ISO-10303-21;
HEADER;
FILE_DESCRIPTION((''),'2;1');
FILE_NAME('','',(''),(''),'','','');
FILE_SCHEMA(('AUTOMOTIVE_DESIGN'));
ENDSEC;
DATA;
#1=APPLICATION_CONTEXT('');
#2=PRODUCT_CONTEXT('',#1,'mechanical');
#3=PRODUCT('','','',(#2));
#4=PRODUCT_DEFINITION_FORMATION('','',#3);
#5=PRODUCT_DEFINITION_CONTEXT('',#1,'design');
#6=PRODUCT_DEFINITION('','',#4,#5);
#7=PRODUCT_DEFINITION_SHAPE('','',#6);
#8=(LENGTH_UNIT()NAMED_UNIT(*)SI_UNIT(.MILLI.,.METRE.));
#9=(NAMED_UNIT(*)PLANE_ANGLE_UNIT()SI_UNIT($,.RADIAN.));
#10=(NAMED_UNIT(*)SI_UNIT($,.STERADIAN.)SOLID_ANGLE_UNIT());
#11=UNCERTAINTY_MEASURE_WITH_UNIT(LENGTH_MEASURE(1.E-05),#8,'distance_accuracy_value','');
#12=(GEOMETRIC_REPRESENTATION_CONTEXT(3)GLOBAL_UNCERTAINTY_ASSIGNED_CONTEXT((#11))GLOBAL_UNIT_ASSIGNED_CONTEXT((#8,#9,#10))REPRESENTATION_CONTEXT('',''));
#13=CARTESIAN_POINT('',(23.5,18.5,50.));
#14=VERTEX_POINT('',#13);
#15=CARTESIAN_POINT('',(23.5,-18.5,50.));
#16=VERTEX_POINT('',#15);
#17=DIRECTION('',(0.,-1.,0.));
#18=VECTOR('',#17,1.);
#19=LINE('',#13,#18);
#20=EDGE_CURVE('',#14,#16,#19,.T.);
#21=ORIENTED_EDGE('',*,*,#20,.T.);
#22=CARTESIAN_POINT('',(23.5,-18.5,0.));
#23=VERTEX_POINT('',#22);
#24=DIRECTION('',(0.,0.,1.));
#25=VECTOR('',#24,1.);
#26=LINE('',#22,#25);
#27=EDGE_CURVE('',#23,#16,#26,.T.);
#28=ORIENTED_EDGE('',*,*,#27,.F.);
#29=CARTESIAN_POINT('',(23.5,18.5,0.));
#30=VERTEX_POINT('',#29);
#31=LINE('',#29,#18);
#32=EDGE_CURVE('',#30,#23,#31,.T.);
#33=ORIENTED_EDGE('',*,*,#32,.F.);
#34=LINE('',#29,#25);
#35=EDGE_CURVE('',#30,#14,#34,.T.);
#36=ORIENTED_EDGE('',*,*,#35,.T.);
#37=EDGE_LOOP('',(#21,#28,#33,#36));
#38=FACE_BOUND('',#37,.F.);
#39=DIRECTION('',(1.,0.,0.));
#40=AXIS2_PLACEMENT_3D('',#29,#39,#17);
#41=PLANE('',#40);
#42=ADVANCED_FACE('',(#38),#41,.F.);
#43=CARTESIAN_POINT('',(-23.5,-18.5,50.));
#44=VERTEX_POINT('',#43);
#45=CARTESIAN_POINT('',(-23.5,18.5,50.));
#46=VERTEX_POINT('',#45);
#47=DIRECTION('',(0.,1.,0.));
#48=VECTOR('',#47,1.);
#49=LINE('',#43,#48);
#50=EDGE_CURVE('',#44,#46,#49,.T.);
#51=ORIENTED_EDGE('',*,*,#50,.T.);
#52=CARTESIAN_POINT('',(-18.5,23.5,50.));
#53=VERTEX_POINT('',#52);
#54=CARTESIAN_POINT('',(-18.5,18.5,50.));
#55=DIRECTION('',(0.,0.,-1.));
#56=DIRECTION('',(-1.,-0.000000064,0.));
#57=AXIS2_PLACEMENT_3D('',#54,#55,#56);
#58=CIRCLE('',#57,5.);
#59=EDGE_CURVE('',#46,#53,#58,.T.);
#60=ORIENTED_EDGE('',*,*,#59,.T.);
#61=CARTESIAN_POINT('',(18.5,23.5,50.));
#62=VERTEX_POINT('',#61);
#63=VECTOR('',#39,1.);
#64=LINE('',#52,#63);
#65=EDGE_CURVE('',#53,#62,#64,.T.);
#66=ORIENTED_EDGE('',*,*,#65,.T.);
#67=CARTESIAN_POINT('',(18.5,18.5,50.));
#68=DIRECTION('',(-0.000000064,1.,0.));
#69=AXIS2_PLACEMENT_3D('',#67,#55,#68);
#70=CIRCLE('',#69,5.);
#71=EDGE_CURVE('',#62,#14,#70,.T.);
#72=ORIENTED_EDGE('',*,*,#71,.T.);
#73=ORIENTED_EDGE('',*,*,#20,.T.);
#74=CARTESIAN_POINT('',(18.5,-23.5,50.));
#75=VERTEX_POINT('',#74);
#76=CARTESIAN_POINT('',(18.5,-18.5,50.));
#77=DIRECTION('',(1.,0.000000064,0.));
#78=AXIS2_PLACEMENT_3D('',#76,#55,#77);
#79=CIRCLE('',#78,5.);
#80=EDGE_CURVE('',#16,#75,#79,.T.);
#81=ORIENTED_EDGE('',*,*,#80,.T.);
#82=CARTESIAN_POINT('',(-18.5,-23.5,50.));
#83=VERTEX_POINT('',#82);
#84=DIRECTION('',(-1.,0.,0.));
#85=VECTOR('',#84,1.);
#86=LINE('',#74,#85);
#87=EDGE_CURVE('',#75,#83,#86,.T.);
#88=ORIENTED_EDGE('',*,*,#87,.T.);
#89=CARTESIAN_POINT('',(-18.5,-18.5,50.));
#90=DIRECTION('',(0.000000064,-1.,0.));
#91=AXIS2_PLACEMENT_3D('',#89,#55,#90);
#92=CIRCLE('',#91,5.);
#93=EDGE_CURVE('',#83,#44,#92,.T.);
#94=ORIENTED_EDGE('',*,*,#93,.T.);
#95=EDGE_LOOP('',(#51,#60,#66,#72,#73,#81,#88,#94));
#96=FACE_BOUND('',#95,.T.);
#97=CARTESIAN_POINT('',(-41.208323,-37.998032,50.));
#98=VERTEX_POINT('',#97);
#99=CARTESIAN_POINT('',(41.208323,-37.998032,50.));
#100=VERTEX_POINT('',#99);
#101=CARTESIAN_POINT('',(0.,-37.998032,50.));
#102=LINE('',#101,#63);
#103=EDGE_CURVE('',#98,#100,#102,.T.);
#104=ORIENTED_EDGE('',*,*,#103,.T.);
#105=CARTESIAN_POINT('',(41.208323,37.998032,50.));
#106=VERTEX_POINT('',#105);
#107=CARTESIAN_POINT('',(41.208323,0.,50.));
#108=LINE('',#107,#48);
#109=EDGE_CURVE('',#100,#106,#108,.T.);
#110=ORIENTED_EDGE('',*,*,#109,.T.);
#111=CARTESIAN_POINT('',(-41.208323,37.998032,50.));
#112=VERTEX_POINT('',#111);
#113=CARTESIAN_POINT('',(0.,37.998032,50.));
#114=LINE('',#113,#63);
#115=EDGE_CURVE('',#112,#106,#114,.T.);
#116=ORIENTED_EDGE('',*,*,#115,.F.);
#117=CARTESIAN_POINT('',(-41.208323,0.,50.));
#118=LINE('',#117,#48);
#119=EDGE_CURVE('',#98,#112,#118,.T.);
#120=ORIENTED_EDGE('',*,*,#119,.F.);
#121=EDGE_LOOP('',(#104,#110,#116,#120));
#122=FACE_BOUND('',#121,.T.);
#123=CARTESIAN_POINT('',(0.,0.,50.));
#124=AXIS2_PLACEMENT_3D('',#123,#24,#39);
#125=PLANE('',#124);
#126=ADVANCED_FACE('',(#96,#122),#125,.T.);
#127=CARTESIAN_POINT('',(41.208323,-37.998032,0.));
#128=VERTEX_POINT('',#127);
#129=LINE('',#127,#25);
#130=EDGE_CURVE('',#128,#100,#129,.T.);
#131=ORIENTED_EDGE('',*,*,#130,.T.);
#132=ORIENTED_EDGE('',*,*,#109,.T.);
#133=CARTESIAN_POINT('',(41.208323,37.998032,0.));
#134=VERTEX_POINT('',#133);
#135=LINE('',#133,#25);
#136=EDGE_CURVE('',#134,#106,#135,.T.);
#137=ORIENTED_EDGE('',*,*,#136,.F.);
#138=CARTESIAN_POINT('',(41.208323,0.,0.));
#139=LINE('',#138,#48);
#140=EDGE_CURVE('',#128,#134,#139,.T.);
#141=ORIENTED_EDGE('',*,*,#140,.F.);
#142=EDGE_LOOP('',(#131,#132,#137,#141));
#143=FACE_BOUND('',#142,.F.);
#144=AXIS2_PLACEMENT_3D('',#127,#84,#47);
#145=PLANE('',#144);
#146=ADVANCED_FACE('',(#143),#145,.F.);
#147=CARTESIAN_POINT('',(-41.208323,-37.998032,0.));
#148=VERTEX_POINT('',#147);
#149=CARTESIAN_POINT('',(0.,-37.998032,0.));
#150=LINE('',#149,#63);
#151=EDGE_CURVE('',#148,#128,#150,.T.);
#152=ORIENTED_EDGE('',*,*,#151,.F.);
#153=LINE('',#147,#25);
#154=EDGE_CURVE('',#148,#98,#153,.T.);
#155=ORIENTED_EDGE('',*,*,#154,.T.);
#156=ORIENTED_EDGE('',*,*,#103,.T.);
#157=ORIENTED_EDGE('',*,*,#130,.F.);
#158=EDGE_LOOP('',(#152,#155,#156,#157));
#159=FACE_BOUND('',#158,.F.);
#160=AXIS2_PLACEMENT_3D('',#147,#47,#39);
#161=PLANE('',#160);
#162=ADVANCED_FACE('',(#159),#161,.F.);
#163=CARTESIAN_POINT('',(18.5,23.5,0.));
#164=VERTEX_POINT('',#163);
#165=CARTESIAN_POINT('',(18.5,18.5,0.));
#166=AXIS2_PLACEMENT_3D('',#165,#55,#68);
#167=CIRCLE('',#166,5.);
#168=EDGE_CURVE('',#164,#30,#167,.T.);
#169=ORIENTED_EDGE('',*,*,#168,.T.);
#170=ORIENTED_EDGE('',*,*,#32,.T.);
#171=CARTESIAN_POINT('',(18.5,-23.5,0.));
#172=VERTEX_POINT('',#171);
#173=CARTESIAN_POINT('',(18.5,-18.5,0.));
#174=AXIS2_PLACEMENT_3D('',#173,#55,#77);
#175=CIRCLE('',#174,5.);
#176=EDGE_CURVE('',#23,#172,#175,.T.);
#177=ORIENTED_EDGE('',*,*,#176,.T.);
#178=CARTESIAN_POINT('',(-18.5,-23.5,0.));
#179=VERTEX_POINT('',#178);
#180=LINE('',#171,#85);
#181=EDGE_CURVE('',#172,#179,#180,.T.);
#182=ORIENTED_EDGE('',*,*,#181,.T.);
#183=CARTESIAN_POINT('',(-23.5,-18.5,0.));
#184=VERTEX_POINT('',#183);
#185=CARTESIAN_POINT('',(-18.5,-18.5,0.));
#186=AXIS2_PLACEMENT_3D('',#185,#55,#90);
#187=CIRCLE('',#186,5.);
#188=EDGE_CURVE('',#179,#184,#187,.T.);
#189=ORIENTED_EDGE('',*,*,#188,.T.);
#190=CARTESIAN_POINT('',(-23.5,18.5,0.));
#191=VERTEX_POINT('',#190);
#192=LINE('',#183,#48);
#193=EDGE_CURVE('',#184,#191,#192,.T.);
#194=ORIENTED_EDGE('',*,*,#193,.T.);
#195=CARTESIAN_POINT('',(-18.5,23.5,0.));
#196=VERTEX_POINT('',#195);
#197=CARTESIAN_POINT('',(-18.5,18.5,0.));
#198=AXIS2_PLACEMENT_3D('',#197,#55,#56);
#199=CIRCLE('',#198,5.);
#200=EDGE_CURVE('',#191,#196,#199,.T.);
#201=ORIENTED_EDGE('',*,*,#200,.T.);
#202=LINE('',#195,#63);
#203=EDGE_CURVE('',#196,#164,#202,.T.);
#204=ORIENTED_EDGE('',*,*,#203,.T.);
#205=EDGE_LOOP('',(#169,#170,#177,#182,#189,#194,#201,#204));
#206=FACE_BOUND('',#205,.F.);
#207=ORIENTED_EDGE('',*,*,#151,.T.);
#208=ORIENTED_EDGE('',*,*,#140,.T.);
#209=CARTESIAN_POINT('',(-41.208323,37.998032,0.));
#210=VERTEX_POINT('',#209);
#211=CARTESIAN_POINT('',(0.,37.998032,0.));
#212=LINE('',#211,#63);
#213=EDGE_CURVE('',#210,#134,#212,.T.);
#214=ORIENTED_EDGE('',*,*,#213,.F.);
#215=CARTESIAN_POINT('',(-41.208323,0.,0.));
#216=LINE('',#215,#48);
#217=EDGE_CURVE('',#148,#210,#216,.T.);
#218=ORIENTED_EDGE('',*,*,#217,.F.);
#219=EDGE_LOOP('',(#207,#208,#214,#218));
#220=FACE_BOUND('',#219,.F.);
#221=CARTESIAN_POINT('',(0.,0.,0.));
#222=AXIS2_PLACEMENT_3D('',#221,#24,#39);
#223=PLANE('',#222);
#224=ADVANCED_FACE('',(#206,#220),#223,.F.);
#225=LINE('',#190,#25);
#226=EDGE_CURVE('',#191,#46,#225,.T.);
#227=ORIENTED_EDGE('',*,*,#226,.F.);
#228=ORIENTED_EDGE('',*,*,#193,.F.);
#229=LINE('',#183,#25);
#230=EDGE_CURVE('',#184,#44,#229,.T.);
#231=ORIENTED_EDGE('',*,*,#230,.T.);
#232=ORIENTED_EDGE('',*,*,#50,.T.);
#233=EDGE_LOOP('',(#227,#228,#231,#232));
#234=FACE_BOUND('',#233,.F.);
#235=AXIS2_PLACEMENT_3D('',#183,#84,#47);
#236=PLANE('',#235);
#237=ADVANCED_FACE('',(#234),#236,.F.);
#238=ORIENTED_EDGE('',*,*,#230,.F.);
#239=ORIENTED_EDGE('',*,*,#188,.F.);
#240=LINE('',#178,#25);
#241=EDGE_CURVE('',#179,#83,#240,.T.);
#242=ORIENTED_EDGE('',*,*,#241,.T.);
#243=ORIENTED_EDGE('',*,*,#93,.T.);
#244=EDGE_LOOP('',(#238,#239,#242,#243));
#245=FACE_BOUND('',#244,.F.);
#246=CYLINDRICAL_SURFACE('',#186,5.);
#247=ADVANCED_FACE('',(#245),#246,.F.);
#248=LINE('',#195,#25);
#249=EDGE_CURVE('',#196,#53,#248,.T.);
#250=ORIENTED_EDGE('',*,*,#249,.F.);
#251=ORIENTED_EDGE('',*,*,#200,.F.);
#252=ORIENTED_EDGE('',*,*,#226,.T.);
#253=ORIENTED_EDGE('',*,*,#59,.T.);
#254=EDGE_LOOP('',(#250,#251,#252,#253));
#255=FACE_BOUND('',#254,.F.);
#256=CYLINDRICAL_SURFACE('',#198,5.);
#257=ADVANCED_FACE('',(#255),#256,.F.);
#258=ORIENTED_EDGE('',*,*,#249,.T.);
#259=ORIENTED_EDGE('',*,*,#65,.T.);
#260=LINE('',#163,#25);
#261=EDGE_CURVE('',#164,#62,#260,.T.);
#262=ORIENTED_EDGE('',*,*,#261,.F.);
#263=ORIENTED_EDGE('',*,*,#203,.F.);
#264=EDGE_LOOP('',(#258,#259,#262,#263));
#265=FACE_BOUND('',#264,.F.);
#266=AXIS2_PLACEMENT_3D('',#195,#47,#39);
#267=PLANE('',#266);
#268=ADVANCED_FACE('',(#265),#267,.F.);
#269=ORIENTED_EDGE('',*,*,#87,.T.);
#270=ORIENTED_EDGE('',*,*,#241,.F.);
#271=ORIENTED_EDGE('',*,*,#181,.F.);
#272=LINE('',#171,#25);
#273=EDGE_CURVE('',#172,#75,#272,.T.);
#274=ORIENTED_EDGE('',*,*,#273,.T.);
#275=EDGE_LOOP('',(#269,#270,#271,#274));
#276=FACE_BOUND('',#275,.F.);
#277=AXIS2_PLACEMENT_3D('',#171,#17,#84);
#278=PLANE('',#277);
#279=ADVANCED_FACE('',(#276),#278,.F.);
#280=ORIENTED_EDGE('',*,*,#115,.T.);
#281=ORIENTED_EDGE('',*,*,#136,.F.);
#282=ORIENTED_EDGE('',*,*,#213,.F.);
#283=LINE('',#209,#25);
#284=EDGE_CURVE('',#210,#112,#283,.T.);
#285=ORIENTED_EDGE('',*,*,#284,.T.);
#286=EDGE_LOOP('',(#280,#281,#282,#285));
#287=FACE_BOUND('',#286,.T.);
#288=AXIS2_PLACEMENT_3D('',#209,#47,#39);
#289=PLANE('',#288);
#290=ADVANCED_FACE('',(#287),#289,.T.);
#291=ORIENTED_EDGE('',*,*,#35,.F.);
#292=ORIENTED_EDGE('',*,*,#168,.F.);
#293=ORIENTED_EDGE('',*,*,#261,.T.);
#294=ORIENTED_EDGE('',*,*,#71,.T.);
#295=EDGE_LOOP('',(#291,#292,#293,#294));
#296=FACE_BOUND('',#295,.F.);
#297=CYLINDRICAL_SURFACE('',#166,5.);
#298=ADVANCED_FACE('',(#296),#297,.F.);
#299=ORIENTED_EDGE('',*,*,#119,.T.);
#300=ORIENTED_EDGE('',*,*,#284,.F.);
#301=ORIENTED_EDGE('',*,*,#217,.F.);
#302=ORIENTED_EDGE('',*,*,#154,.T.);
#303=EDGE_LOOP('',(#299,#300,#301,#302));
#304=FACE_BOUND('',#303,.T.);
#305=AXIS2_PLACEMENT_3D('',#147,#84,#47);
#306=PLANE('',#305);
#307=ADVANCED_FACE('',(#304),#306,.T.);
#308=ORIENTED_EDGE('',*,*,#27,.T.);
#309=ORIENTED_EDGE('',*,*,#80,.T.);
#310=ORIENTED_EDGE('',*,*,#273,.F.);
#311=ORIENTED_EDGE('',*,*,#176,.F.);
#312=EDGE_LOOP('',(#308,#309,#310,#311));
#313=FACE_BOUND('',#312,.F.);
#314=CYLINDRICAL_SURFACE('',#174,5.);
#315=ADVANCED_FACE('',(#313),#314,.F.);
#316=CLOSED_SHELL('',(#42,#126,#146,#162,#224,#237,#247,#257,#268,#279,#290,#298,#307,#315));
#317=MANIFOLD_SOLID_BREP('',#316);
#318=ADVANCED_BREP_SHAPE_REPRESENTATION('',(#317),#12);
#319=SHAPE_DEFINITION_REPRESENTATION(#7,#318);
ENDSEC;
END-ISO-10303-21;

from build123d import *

# Parameters (mm, degrees)
F0_W     = 82.416646
F0_H     = 75.996064
F1_DEPTH = 50


with BuildPart() as f1:
    # F0 (on Top) → F1 (new body)
    with BuildSketch(Plane.XY):
        Rectangle(F0_W, F0_H)
        with BuildLine():
            ThreePointArc((23.5, -18.5), (22.035534, -22.035534), (18.5, -23.5))
            Line((18.5, -23.5), (-18.5, -23.5))
            ThreePointArc((-18.5, -23.5), (-22.035534, -22.035534), (-23.5, -18.5))
            Line((-23.5, -18.5), (-23.5, 18.5))
            ThreePointArc((-23.5, 18.5), (-22.035534, 22.035534), (-18.5, 23.5))
            Line((-18.5, 23.5), (18.5, 23.5))
            ThreePointArc((18.5, 23.5), (22.035534, 22.035534), (23.5, 18.5))
            Line((23.5, 18.5), (23.5, -18.5))
        make_face(mode=Mode.SUBTRACT)
    extrude(amount=F1_DEPTH)


solid = f1.part
